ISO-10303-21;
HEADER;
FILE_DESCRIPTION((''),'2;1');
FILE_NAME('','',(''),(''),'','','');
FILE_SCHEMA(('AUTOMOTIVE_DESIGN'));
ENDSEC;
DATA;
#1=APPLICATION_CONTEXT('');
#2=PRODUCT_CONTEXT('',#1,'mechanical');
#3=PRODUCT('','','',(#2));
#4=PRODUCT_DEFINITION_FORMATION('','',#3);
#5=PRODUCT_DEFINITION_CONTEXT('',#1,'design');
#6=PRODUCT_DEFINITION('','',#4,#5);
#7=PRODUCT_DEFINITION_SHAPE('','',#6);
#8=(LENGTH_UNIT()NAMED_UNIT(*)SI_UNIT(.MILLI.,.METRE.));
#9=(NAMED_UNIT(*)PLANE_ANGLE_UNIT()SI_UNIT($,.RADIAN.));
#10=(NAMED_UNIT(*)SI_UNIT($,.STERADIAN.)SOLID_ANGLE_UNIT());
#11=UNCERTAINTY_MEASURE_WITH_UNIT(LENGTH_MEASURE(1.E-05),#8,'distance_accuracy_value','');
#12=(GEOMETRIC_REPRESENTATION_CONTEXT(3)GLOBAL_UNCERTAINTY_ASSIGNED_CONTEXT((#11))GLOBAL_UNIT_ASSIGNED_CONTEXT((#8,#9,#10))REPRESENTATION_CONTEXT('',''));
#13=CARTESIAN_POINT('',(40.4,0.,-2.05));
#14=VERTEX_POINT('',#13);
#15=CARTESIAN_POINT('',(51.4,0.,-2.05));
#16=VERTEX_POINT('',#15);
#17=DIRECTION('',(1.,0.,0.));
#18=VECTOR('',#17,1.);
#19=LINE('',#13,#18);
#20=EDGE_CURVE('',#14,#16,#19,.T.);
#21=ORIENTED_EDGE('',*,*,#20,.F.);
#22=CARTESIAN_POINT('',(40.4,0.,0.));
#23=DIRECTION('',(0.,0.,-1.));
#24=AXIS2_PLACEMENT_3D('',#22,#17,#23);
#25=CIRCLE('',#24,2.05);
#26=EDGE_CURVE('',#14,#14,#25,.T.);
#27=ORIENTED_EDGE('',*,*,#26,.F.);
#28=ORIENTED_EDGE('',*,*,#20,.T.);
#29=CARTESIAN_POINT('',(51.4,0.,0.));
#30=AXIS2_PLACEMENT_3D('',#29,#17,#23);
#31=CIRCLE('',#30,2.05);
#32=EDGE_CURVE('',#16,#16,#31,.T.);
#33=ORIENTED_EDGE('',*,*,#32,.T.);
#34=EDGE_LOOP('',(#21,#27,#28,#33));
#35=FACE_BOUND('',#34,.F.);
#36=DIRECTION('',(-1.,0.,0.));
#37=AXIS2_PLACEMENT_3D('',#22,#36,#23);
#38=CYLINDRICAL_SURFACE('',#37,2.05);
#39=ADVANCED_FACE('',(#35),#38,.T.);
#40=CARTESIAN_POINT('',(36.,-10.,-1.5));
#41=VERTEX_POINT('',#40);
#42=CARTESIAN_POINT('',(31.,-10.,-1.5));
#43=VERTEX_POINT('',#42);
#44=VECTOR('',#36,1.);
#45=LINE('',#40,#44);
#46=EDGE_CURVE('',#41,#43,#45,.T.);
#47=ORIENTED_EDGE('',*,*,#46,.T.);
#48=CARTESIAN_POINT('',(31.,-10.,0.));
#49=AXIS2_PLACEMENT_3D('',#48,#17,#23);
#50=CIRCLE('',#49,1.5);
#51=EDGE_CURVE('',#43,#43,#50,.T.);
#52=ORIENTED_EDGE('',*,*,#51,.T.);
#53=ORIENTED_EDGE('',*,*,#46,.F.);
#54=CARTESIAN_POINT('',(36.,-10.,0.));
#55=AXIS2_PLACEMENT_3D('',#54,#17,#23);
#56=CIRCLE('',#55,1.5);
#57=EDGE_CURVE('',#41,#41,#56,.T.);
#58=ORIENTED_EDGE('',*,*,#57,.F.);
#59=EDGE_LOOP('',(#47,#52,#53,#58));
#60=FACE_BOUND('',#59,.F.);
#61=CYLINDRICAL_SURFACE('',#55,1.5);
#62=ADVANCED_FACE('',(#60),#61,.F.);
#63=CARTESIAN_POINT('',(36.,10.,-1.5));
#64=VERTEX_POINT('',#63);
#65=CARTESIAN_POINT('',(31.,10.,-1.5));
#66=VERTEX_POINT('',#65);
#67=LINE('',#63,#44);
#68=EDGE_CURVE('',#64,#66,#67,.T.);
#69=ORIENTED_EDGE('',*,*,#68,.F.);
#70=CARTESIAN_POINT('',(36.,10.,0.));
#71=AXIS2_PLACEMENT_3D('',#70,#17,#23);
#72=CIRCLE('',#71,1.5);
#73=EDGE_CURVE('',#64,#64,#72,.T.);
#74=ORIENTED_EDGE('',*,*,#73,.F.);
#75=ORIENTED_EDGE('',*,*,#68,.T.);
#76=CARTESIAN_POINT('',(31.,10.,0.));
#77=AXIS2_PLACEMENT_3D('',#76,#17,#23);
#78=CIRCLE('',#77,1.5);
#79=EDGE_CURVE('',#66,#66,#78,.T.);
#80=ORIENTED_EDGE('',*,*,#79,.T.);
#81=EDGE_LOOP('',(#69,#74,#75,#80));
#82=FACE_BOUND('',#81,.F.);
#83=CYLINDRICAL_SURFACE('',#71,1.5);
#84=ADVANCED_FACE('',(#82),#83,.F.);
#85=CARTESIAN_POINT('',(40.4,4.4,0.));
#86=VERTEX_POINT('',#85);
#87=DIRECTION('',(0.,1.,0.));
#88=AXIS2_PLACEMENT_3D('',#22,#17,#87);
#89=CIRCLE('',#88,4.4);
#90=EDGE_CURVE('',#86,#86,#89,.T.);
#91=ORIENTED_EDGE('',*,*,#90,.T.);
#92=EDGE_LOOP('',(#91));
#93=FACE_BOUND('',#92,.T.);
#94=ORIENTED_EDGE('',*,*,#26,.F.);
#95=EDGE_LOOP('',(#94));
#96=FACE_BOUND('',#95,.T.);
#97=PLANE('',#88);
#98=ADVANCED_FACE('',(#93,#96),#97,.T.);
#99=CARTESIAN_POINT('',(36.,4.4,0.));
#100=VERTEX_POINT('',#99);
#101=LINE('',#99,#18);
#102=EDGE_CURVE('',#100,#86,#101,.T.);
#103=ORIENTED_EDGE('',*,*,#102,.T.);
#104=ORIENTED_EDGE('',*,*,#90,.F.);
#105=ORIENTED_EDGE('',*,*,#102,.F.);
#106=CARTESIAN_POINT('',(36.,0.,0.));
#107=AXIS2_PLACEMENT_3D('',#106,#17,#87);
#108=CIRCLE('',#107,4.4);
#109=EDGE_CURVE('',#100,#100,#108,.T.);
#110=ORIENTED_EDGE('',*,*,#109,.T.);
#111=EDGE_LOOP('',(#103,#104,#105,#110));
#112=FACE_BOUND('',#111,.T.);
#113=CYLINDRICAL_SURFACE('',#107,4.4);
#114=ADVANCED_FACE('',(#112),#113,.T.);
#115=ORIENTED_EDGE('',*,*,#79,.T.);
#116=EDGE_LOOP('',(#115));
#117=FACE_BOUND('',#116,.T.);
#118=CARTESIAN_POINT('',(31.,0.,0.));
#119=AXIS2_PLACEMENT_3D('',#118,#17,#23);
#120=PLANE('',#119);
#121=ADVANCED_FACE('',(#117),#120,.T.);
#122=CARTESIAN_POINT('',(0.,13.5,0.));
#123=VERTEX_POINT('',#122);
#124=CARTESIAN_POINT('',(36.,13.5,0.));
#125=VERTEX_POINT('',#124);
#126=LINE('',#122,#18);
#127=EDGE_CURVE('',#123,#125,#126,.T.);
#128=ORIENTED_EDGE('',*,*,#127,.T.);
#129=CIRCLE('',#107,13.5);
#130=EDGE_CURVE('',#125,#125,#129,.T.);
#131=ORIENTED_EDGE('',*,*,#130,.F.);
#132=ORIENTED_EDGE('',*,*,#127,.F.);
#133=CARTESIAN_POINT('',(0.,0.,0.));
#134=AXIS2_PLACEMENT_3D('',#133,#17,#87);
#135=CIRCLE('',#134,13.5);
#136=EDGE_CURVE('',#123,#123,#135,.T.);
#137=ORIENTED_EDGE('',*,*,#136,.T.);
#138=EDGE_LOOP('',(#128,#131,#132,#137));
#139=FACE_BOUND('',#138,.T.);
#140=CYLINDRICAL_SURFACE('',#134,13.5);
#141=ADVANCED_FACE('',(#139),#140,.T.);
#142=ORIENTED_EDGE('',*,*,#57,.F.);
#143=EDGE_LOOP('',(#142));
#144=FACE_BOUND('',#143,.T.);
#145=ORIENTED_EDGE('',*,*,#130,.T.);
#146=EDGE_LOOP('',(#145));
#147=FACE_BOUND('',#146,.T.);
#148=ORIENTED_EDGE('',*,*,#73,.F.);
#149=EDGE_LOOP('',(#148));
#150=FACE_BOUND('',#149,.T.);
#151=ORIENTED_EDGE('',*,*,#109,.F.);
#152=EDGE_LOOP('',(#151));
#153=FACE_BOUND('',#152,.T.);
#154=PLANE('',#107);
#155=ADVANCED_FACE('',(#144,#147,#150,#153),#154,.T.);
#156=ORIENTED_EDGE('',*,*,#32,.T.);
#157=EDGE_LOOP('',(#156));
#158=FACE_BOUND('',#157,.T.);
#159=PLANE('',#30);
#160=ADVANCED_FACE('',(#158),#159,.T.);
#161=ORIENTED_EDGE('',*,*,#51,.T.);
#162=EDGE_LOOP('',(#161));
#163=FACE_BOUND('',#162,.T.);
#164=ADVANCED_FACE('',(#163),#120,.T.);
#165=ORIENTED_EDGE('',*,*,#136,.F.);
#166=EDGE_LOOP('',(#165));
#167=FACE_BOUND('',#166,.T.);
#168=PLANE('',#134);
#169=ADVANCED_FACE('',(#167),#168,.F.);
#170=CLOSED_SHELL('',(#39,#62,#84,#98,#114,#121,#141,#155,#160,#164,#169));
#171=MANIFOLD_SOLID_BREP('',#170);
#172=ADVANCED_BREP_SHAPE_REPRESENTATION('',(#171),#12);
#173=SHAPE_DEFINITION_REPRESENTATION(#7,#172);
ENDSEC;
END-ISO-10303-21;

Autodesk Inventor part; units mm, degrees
ref_plane "YZ Plane" through (0, 0, 0) normal (1, 0, 0) x (0, 1, 0)
ref_plane "XZ Plane" through (0, 0, 0) normal (0, 1, 0) x (-1, 0, 0)
ref_plane "XY Plane" through (0, 0, 0) normal (0, 0, 1) x (1, 0, 0)
sketch "Sketch1" plane through (0, 0, 0) normal (0, 0, 1) x (1, 0, 0)
  line L0 (0, 0) -> (0, 13.5)
  line L1 (0, 13.5) -> (36, 13.5)
  line L2 (36, 13.5) -> (36, 4.4)
  line L3 (36, 4.4) -> (40.4, 4.4)
  line L4 (40.4, 4.4) -> (40.4, 0)
  line L5 (40.4, 0) -> (0, 0)
  line L6 (0, 0) -> (68.0723, 0)
  dimension "d0" = 27
  dimension "d1" = 36
  dimension "d2" = 8.8
  dimension "d3" = 4.4
revolve "Revolution1" add sketch "Sketch1" angle 360 about axis through (0, 0, 0) along (1, 0, 0)
sketch "Sketch2" plane through (40.4, 0, 0) normal (1, 0, 0) x (0, 0, -1)
  circle A0 centre (0, 0) radius 4.4 projected
  circle A1 centre (0, 0) radius 2.05
  dimension "d5" = 4.1
extrude "Extrusion1" add sketch "Sketch2" along normal blind 11 contours A1
sketch "Sketch3" plane through (36, 0, 0) normal (1, 0, 0) x (0, 0, -1)
  circle A0 centre (0, 0) radius 4.4 projected
  circle A1 centre (0, 10) radius 1.5
  circle A2 centre (0, -10) radius 1.5
  dimension "d8" = 3
  dimension "d9" = 3
  dimension "d10" = 20
  dimension "d11" = 10
extrude "Extrusion2" cut sketch "Sketch3" against normal blind 5 contours A1 | A2
properties part number "Motor Sensor"
